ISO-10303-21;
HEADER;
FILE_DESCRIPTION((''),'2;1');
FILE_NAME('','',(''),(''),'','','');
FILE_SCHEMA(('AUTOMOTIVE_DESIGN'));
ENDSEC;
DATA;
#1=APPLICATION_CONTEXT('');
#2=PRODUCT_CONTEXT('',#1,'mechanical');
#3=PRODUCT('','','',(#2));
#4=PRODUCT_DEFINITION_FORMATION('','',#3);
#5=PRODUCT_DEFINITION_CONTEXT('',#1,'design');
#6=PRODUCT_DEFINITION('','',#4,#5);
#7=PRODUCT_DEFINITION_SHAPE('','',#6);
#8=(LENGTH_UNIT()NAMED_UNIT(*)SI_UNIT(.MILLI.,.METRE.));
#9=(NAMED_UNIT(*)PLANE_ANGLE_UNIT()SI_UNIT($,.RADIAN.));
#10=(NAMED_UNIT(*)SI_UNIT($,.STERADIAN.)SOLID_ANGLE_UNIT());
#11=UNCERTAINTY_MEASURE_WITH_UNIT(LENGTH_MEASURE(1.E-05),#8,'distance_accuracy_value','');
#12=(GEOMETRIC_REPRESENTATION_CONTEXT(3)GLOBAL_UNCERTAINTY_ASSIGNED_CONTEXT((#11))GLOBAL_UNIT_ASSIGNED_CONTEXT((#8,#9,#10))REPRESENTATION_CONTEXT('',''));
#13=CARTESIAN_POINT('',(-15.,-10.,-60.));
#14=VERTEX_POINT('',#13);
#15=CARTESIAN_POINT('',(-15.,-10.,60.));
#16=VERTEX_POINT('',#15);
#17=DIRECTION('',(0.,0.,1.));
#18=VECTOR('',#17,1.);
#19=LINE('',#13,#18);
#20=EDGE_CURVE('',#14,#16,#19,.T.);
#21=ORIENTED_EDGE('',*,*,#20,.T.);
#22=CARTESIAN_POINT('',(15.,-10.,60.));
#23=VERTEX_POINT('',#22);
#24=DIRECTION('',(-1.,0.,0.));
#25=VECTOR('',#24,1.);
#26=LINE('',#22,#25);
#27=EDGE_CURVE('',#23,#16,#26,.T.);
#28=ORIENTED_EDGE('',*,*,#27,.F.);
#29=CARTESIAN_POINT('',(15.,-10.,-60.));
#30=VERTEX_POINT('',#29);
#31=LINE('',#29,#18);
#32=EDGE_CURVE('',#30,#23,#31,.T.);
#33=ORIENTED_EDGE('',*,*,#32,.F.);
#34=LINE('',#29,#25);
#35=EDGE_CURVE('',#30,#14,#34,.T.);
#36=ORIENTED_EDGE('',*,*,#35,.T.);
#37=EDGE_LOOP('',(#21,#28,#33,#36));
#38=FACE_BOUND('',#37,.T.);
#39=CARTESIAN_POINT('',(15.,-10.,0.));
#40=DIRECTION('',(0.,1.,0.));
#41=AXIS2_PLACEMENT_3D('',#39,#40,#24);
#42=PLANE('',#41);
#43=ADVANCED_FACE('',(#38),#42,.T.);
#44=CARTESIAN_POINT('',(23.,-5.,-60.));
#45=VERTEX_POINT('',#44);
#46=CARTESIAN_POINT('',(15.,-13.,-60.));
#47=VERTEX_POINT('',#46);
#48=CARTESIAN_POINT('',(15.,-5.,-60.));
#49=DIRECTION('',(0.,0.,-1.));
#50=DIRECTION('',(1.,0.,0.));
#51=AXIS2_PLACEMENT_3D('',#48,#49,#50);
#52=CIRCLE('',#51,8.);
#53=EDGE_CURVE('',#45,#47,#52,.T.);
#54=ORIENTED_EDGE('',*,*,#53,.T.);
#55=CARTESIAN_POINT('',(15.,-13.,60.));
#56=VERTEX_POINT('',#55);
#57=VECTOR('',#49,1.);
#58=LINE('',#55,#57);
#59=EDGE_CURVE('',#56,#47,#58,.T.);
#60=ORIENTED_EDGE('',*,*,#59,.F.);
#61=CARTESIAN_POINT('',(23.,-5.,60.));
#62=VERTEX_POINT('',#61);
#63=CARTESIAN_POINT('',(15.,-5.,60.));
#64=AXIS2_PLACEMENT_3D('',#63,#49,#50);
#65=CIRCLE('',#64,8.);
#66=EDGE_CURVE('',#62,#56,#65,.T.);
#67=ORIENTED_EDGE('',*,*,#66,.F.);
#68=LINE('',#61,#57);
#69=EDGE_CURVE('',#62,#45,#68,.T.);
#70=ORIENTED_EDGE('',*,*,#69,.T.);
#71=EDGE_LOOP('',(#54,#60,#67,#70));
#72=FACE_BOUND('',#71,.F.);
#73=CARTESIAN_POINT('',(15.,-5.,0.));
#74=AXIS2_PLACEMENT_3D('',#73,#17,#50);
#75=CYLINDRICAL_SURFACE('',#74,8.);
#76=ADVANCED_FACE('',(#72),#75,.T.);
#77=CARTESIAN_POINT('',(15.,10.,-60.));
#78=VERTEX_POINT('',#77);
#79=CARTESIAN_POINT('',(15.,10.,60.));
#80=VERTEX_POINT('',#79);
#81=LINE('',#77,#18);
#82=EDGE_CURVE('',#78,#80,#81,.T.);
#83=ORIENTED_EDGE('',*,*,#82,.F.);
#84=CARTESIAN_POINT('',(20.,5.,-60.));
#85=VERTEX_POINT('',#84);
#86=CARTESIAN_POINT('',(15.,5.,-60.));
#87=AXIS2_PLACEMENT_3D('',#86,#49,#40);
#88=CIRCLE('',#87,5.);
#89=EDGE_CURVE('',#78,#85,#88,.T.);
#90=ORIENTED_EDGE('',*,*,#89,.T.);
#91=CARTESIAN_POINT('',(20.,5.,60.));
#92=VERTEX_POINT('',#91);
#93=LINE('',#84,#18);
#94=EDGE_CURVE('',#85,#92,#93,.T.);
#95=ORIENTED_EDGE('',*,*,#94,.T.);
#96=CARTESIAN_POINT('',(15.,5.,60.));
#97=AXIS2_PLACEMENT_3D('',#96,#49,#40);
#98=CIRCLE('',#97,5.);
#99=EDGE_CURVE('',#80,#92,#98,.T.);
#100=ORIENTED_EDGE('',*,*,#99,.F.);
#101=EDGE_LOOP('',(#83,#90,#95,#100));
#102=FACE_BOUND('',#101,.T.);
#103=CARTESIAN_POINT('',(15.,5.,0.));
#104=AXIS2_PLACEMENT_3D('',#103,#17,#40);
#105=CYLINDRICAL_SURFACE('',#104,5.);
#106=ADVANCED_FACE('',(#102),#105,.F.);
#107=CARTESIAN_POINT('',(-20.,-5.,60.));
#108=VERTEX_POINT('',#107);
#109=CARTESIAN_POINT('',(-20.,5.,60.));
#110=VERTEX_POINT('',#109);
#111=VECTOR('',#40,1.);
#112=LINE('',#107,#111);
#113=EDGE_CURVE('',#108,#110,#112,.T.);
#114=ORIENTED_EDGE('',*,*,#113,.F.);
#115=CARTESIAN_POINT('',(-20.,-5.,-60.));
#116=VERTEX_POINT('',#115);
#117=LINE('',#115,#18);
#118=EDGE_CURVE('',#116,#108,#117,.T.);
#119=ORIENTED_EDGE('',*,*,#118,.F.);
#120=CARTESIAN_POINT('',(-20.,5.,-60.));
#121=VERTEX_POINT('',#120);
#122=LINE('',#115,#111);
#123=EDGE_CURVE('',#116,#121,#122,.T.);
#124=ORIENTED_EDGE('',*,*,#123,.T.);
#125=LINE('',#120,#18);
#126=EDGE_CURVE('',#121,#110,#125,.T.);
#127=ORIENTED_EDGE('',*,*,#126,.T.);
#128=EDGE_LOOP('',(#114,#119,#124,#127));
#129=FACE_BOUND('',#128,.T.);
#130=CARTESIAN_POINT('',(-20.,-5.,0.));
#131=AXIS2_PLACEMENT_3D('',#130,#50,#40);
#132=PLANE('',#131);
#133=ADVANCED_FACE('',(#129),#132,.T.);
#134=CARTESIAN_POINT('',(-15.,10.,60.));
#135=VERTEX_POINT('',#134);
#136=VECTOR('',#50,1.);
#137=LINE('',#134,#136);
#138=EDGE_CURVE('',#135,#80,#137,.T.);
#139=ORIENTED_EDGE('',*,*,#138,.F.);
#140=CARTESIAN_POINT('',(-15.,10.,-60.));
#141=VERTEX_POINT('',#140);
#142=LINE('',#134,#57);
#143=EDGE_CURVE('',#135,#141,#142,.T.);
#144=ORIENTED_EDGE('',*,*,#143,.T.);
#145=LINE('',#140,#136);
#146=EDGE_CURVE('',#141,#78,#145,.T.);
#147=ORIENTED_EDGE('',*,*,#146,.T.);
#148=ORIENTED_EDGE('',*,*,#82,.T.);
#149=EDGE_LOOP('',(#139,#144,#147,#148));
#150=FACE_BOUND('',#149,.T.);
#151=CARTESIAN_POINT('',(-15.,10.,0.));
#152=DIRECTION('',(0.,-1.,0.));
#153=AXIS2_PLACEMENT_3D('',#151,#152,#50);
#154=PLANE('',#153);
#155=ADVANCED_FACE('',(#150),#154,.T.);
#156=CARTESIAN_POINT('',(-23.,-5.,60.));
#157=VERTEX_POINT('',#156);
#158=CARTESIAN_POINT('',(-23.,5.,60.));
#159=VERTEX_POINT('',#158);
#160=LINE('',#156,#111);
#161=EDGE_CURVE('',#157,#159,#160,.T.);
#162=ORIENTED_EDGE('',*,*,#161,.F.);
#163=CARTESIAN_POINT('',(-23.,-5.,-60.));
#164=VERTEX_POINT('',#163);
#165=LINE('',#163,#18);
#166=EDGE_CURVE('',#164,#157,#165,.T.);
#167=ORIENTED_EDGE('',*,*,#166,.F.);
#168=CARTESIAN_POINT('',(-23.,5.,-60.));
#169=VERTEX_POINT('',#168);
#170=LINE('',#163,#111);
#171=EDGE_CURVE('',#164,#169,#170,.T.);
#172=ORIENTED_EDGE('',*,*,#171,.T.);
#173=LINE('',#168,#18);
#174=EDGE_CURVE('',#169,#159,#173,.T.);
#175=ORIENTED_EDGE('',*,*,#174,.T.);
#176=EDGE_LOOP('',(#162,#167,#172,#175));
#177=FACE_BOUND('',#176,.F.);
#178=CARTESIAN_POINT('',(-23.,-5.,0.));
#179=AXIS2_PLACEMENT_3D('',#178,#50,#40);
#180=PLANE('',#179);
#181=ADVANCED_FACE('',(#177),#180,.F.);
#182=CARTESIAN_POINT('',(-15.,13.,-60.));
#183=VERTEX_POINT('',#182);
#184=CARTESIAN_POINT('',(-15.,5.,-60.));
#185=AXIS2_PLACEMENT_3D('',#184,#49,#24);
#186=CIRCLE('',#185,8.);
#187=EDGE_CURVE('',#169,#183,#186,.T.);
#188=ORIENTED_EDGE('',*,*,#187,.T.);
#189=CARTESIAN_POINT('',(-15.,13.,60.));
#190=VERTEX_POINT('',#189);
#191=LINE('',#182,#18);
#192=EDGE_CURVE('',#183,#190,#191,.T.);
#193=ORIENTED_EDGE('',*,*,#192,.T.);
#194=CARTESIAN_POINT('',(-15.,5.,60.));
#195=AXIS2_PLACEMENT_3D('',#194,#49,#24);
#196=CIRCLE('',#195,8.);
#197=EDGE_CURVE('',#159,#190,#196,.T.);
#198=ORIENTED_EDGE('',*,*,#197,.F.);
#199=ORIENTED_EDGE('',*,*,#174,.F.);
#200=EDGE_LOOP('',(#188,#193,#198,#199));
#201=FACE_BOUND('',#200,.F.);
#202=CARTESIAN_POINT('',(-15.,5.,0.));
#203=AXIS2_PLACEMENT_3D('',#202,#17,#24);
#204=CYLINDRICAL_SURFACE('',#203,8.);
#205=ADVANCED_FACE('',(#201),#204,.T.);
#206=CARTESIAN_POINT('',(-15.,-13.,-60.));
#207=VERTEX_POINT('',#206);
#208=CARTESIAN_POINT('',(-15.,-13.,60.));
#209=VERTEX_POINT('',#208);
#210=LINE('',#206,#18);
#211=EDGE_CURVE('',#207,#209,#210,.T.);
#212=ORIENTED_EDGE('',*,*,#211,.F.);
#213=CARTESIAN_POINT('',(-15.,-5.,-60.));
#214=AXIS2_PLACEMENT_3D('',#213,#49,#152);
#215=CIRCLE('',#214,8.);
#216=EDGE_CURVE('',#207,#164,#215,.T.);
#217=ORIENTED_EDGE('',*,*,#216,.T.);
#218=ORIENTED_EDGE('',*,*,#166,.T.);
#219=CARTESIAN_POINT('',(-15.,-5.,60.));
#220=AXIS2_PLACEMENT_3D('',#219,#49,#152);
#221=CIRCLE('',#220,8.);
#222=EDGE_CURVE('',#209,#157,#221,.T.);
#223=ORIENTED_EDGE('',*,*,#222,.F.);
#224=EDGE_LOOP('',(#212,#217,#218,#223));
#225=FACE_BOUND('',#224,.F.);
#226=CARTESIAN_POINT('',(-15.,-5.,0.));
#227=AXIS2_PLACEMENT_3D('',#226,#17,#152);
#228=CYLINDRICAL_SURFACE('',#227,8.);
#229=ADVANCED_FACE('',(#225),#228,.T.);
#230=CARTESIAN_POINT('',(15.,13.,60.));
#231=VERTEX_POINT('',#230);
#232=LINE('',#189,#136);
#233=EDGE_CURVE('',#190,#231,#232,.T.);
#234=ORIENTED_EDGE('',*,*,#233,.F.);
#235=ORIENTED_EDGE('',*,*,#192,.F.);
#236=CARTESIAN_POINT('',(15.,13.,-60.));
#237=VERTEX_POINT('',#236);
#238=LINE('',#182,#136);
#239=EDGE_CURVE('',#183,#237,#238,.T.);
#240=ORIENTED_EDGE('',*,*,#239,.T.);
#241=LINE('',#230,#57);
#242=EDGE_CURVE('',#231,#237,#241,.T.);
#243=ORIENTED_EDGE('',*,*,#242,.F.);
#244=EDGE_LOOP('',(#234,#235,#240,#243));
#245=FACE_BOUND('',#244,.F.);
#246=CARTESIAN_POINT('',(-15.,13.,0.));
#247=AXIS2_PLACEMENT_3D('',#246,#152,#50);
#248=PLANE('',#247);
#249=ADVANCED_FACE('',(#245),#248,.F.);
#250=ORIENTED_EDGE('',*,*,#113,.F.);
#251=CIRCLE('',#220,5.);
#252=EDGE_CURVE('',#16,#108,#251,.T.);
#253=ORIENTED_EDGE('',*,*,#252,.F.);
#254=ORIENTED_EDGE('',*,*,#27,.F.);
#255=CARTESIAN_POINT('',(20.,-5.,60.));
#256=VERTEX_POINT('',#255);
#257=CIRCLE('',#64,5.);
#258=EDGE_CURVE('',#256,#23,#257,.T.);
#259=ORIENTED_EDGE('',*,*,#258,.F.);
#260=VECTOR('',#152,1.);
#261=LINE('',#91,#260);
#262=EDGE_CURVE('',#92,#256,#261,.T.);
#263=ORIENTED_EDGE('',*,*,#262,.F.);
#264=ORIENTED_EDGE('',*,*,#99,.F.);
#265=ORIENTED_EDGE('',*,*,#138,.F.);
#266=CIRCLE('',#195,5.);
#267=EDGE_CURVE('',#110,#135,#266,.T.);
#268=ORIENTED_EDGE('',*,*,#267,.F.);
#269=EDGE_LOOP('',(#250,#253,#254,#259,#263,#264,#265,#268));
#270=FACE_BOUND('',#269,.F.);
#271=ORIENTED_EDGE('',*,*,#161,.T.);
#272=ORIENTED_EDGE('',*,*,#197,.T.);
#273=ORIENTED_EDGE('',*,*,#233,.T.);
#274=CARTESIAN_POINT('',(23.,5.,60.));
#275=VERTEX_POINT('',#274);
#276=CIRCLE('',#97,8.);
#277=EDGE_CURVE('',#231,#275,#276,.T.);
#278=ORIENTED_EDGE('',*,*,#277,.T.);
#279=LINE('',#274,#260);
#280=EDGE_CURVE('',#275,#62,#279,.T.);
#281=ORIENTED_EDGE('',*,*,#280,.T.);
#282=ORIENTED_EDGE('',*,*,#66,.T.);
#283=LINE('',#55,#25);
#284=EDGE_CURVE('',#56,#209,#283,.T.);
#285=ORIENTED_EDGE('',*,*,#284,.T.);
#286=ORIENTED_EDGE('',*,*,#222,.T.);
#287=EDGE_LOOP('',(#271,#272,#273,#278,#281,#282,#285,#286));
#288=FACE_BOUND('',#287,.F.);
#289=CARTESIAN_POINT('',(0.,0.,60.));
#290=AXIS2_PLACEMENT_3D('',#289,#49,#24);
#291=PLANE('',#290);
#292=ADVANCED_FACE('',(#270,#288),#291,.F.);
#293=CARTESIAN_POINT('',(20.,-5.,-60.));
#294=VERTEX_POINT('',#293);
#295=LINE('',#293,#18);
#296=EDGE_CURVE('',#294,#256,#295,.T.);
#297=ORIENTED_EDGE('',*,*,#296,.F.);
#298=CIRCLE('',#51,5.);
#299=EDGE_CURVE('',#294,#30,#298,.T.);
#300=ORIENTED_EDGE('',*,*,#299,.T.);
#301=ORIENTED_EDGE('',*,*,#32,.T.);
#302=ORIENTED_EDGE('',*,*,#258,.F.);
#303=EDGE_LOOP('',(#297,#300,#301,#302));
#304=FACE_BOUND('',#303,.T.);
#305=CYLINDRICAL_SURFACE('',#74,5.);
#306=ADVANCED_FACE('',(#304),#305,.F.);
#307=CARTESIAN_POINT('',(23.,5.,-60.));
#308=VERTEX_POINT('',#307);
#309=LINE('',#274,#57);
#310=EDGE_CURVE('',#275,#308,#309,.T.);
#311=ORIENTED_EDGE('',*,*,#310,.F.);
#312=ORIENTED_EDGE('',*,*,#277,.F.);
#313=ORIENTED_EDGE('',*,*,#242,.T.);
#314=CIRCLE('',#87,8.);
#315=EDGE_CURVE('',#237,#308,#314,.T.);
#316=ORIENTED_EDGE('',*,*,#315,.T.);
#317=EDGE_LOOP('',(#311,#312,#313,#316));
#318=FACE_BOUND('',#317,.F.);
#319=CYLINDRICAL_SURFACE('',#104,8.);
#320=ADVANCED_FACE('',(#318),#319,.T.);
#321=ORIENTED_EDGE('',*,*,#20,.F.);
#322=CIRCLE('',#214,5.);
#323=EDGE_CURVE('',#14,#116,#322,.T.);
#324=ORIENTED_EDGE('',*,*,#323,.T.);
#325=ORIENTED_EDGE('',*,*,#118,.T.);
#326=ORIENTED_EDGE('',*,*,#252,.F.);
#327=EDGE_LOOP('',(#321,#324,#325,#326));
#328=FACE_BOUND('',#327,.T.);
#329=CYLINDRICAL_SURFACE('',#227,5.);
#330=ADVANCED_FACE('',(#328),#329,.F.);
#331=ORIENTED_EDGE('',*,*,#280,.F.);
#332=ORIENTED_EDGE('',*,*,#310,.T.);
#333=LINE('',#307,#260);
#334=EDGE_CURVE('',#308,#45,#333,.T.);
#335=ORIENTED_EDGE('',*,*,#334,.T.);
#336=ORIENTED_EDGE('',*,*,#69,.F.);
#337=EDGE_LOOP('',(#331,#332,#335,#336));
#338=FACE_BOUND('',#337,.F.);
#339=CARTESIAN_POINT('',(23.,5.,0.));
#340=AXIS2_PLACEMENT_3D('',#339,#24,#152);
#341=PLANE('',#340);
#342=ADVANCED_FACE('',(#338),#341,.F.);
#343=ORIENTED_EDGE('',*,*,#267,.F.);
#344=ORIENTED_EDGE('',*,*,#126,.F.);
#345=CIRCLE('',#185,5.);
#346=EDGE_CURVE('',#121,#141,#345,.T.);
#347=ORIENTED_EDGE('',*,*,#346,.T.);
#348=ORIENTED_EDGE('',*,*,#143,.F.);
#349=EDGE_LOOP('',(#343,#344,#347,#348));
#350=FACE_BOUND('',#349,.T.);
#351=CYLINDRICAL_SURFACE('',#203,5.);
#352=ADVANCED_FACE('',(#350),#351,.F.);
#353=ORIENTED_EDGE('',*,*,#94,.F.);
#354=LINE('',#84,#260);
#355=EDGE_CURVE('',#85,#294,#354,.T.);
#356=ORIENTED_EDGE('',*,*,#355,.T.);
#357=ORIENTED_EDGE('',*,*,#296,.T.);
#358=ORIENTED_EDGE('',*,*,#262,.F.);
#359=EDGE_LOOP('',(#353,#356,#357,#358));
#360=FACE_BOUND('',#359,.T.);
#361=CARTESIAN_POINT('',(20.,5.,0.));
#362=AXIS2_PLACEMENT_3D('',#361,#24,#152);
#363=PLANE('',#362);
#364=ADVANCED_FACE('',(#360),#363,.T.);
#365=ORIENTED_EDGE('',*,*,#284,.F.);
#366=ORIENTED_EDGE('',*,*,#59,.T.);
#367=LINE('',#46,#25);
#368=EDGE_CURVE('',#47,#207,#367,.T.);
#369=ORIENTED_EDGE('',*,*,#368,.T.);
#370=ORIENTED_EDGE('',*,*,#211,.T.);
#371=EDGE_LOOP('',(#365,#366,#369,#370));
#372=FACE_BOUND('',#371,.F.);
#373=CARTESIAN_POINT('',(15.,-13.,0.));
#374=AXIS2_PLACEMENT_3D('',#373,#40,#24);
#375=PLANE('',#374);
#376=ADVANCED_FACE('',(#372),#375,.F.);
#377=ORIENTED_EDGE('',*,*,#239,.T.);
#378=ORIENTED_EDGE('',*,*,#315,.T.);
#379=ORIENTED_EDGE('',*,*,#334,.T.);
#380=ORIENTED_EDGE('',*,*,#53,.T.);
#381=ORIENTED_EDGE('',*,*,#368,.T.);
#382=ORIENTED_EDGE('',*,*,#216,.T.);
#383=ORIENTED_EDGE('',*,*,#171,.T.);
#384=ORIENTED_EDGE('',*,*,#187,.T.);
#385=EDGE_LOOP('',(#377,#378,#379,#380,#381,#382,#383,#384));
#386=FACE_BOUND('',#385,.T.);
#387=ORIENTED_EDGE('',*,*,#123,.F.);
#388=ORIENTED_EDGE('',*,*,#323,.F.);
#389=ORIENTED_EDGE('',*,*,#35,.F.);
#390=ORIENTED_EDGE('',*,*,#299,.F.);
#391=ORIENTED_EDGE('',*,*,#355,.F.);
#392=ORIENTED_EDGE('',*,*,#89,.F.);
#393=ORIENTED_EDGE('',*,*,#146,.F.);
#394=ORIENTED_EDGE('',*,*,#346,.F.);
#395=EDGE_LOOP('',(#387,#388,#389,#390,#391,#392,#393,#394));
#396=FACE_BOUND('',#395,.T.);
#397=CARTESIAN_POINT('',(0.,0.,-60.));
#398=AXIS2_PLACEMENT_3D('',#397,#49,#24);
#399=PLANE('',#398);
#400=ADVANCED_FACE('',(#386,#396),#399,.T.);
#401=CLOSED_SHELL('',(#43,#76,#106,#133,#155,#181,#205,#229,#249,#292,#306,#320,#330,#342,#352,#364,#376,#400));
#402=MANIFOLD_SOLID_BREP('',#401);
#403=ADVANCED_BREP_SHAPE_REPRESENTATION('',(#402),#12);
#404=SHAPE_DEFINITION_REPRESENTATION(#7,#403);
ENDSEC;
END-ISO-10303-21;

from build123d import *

# Parameters (mm, degrees)
EXTRUDE_THIN1_DEPTH = 60


with BuildPart() as part:
    # Sketch1 → Extrude-Thin1 (new body, symmetric)
    with BuildSketch(Plane.XY):
        with BuildLine():
            Line((-15, 13), (15, 13))
            ThreePointArc((15, 13), (20.656854249, 10.656854249), (23, 5))
            Line((23, 5), (23, -5))
            ThreePointArc((23, -5), (20.656854249, -10.656854249), (15, -13))
            Line((15, -13), (-15, -13))
            ThreePointArc((-15, -13), (-20.656854249, -10.656854249), (-23, -5))
            Line((-23, -5), (-23, 5))
            ThreePointArc((-23, 5), (-20.656854249, 10.656854249), (-15, 13))
        make_face()
        with BuildLine():
            Line((-15, 10), (15, 10))
            ThreePointArc((15, 10), (18.535533906, 8.535533906), (20, 5))
            Line((20, 5), (20, -5))
            ThreePointArc((20, -5), (18.535533906, -8.535533906), (15, -10))
            Line((15, -10), (-15, -10))
            ThreePointArc((-15, -10), (-18.535533906, -8.535533906), (-20, -5))
            Line((-20, -5), (-20, 5))
            ThreePointArc((-20, 5), (-18.535533906, 8.535533906), (-15, 10))
        make_face(mode=Mode.SUBTRACT)
    extrude(amount=EXTRUDE_THIN1_DEPTH, both=True)


solid = part.part
